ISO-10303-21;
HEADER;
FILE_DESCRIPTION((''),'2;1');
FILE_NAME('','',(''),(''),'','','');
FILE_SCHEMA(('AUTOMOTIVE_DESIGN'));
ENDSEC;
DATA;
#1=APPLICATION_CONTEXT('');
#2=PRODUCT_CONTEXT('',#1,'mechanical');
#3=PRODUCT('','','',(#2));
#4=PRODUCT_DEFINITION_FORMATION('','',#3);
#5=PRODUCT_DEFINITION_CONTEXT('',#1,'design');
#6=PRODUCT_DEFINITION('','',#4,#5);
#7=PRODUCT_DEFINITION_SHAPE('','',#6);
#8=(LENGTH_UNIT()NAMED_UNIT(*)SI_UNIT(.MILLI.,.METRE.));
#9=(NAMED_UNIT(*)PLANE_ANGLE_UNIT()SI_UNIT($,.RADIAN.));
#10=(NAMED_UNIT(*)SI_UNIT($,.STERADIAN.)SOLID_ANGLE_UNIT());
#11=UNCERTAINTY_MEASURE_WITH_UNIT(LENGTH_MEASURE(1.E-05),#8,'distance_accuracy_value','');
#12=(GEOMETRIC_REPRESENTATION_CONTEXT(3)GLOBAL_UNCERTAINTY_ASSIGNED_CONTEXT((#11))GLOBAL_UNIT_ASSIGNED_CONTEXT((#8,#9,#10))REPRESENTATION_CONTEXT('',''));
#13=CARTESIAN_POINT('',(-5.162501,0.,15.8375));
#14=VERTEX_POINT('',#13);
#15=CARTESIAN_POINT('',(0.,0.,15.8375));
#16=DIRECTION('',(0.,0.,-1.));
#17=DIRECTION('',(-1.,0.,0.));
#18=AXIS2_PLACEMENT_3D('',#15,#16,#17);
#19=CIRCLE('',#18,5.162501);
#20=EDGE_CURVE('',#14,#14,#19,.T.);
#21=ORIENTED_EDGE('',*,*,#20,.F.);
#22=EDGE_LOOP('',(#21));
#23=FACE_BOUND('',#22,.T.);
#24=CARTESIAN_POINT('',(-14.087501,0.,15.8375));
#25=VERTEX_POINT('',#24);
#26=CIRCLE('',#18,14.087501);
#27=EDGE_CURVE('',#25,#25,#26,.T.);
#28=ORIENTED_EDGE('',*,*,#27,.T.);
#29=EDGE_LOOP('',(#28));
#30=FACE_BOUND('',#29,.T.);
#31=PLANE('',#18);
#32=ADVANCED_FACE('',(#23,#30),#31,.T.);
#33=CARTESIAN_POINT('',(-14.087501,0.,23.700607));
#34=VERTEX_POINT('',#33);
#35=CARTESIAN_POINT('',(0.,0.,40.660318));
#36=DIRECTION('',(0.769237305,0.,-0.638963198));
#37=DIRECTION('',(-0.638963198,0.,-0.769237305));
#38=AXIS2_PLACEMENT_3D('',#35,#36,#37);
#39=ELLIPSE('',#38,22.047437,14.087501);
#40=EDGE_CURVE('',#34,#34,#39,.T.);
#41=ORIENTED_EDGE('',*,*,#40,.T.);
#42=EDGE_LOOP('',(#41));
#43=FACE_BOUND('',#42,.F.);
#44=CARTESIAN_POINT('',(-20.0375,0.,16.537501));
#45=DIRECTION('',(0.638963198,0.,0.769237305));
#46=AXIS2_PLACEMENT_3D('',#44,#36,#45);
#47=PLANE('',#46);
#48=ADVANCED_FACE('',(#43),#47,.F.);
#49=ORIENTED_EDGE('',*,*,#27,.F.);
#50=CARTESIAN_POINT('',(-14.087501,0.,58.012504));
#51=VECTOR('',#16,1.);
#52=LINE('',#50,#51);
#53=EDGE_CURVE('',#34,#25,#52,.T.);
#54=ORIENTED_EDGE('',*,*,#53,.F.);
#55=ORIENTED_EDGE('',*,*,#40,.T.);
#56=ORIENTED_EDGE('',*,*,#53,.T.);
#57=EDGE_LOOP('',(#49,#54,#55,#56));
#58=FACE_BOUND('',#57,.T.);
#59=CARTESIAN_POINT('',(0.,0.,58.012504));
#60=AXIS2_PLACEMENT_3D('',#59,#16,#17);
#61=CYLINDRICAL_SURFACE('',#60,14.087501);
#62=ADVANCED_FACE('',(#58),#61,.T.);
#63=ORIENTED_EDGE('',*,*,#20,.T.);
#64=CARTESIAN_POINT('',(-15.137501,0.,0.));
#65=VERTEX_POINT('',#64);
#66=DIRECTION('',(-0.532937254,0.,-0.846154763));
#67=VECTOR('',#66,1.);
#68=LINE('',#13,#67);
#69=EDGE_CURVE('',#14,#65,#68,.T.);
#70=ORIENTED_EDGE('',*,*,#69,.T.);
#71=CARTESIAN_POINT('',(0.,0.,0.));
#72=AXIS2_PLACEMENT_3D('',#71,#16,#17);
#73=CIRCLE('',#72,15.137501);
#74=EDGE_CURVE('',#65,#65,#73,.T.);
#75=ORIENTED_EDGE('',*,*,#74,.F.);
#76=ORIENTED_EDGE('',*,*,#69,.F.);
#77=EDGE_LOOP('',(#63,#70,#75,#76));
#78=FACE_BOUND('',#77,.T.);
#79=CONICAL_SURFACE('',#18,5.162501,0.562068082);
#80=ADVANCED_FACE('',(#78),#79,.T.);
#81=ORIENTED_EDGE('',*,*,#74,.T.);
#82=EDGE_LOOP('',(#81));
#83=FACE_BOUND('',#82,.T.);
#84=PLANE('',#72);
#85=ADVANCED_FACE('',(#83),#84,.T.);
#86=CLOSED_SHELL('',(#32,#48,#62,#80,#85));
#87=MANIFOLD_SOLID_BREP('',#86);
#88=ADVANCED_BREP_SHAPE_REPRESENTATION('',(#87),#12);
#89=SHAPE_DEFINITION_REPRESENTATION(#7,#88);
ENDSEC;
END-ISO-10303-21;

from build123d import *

# Parameters (mm, degrees)
F3_DEPTH = 17.4


with BuildPart() as f1:
    # F0 (on Front) → F1 (revolve)
    with BuildSketch(Plane.XZ):
        Polygon((-15.137501, 0), (0, 0), (0, 58.012504), (-14.087501, 58.012504), (-14.087501, 15.8375), (-5.162501, 15.8375), align=None)
    revolve(axis=Axis((0, 0, 29.006252), (0, 0, -1)))

    # F2 (on Front) → F3 (cut, symmetric)
    with BuildSketch(Plane.XZ):
        Polygon((-20.0375, 16.537501), (16.012499, 59.937503), (-20.0375, 60.987502), align=None)
    extrude(amount=F3_DEPTH, both=True, mode=Mode.SUBTRACT)


solid = f1.part
